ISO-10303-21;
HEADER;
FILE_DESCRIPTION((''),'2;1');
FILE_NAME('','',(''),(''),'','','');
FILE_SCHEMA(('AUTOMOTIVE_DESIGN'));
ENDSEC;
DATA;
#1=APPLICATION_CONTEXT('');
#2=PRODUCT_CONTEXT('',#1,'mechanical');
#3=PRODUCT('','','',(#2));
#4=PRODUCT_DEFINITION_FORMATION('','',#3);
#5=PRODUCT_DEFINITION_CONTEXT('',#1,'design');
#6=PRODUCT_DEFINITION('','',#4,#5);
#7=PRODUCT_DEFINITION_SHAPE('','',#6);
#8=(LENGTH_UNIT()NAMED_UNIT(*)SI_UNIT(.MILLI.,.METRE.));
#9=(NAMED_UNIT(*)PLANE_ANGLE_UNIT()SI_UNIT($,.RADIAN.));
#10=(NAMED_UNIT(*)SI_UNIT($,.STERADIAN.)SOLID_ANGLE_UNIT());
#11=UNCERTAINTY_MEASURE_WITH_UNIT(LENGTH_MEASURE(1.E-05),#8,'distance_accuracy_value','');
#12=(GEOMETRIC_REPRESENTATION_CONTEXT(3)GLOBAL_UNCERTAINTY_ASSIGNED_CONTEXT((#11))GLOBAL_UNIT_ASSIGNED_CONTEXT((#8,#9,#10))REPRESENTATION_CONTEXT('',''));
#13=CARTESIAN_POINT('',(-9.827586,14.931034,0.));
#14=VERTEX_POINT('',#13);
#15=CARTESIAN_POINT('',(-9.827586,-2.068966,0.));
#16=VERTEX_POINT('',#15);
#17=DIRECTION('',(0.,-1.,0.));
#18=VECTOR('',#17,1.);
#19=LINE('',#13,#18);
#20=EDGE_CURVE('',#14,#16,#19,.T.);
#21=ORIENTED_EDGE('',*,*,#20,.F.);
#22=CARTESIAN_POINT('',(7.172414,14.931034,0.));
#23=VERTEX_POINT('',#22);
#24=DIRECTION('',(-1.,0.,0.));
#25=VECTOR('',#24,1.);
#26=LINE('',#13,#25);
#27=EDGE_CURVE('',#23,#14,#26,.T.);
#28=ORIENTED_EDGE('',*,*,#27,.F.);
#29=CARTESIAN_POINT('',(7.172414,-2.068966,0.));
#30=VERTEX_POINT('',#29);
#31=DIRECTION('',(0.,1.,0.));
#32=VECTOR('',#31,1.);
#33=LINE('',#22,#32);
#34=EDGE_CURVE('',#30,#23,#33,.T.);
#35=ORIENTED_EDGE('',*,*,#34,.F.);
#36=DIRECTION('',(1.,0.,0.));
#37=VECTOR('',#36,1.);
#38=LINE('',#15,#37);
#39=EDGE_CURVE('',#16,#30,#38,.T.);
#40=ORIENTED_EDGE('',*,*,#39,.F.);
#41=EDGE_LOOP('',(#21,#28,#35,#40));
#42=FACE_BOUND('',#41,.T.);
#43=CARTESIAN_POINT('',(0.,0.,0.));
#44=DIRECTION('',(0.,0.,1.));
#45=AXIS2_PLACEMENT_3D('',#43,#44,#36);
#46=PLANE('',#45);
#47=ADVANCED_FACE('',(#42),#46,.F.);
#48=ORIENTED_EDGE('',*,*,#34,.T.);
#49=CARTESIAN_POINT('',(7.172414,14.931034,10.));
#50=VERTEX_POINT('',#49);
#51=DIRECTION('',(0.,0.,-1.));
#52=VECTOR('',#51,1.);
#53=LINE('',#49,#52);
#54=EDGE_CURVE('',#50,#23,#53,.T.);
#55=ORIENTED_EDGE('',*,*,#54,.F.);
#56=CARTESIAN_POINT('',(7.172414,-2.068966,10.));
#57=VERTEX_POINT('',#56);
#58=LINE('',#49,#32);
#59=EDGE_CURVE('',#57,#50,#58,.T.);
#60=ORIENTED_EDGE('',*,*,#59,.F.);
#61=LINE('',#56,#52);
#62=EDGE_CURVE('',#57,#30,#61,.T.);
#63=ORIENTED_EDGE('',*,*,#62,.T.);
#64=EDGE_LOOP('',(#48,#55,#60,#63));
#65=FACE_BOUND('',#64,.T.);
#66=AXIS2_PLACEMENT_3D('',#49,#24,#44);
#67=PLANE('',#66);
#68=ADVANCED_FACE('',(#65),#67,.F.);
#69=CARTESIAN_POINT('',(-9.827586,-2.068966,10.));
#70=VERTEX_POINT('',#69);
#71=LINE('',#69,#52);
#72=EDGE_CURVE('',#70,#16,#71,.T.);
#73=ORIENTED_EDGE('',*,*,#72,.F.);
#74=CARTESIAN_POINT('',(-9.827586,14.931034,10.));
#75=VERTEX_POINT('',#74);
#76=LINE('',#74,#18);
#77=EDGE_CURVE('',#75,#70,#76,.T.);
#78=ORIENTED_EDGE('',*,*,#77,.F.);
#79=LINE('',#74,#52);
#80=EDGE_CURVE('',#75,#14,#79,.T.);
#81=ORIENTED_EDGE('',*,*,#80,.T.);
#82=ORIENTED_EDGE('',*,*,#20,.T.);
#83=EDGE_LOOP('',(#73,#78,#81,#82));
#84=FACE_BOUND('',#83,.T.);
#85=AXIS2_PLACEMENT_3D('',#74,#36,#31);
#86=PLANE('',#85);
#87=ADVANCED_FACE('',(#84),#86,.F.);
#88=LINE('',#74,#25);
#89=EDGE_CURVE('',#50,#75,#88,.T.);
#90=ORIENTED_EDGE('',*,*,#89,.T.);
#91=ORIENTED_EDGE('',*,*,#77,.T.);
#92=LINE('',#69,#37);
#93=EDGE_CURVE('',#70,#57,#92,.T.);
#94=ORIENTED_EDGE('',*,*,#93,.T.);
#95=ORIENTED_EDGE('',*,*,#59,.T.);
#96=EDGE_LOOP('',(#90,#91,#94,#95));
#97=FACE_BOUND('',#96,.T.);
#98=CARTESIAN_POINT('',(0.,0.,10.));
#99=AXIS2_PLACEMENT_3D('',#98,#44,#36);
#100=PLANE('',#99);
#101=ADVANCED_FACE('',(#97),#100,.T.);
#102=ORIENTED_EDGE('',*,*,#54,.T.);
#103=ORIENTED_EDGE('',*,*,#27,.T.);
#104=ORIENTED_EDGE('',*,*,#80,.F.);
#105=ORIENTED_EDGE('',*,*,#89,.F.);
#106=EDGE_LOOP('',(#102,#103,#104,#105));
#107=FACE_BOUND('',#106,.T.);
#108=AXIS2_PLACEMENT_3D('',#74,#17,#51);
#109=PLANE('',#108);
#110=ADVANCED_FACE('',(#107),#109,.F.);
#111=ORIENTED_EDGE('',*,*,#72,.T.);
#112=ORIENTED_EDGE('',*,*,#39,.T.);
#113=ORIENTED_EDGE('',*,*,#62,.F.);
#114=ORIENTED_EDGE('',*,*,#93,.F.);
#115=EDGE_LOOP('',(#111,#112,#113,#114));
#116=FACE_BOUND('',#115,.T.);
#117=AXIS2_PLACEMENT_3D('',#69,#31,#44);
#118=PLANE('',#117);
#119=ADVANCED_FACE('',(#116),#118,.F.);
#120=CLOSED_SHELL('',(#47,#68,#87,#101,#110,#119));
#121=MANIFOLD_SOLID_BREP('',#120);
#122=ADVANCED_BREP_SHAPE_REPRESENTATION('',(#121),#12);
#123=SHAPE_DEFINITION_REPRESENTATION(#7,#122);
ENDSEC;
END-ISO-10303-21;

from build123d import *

# Parameters (mm, degrees)
SKETCH1_W           = 17
SKETCH1_H           = 17
BOSS_EXTRUDE1_DEPTH = 10


with BuildPart() as part:
    # Sketch1 → Boss-Extrude1 (new body)
    with BuildSketch(Plane.XY):
        with Locations((-1.327586207, 6.431034483)):
            Rectangle(SKETCH1_W, SKETCH1_H)
    extrude(amount=BOSS_EXTRUDE1_DEPTH)


solid = part.part
